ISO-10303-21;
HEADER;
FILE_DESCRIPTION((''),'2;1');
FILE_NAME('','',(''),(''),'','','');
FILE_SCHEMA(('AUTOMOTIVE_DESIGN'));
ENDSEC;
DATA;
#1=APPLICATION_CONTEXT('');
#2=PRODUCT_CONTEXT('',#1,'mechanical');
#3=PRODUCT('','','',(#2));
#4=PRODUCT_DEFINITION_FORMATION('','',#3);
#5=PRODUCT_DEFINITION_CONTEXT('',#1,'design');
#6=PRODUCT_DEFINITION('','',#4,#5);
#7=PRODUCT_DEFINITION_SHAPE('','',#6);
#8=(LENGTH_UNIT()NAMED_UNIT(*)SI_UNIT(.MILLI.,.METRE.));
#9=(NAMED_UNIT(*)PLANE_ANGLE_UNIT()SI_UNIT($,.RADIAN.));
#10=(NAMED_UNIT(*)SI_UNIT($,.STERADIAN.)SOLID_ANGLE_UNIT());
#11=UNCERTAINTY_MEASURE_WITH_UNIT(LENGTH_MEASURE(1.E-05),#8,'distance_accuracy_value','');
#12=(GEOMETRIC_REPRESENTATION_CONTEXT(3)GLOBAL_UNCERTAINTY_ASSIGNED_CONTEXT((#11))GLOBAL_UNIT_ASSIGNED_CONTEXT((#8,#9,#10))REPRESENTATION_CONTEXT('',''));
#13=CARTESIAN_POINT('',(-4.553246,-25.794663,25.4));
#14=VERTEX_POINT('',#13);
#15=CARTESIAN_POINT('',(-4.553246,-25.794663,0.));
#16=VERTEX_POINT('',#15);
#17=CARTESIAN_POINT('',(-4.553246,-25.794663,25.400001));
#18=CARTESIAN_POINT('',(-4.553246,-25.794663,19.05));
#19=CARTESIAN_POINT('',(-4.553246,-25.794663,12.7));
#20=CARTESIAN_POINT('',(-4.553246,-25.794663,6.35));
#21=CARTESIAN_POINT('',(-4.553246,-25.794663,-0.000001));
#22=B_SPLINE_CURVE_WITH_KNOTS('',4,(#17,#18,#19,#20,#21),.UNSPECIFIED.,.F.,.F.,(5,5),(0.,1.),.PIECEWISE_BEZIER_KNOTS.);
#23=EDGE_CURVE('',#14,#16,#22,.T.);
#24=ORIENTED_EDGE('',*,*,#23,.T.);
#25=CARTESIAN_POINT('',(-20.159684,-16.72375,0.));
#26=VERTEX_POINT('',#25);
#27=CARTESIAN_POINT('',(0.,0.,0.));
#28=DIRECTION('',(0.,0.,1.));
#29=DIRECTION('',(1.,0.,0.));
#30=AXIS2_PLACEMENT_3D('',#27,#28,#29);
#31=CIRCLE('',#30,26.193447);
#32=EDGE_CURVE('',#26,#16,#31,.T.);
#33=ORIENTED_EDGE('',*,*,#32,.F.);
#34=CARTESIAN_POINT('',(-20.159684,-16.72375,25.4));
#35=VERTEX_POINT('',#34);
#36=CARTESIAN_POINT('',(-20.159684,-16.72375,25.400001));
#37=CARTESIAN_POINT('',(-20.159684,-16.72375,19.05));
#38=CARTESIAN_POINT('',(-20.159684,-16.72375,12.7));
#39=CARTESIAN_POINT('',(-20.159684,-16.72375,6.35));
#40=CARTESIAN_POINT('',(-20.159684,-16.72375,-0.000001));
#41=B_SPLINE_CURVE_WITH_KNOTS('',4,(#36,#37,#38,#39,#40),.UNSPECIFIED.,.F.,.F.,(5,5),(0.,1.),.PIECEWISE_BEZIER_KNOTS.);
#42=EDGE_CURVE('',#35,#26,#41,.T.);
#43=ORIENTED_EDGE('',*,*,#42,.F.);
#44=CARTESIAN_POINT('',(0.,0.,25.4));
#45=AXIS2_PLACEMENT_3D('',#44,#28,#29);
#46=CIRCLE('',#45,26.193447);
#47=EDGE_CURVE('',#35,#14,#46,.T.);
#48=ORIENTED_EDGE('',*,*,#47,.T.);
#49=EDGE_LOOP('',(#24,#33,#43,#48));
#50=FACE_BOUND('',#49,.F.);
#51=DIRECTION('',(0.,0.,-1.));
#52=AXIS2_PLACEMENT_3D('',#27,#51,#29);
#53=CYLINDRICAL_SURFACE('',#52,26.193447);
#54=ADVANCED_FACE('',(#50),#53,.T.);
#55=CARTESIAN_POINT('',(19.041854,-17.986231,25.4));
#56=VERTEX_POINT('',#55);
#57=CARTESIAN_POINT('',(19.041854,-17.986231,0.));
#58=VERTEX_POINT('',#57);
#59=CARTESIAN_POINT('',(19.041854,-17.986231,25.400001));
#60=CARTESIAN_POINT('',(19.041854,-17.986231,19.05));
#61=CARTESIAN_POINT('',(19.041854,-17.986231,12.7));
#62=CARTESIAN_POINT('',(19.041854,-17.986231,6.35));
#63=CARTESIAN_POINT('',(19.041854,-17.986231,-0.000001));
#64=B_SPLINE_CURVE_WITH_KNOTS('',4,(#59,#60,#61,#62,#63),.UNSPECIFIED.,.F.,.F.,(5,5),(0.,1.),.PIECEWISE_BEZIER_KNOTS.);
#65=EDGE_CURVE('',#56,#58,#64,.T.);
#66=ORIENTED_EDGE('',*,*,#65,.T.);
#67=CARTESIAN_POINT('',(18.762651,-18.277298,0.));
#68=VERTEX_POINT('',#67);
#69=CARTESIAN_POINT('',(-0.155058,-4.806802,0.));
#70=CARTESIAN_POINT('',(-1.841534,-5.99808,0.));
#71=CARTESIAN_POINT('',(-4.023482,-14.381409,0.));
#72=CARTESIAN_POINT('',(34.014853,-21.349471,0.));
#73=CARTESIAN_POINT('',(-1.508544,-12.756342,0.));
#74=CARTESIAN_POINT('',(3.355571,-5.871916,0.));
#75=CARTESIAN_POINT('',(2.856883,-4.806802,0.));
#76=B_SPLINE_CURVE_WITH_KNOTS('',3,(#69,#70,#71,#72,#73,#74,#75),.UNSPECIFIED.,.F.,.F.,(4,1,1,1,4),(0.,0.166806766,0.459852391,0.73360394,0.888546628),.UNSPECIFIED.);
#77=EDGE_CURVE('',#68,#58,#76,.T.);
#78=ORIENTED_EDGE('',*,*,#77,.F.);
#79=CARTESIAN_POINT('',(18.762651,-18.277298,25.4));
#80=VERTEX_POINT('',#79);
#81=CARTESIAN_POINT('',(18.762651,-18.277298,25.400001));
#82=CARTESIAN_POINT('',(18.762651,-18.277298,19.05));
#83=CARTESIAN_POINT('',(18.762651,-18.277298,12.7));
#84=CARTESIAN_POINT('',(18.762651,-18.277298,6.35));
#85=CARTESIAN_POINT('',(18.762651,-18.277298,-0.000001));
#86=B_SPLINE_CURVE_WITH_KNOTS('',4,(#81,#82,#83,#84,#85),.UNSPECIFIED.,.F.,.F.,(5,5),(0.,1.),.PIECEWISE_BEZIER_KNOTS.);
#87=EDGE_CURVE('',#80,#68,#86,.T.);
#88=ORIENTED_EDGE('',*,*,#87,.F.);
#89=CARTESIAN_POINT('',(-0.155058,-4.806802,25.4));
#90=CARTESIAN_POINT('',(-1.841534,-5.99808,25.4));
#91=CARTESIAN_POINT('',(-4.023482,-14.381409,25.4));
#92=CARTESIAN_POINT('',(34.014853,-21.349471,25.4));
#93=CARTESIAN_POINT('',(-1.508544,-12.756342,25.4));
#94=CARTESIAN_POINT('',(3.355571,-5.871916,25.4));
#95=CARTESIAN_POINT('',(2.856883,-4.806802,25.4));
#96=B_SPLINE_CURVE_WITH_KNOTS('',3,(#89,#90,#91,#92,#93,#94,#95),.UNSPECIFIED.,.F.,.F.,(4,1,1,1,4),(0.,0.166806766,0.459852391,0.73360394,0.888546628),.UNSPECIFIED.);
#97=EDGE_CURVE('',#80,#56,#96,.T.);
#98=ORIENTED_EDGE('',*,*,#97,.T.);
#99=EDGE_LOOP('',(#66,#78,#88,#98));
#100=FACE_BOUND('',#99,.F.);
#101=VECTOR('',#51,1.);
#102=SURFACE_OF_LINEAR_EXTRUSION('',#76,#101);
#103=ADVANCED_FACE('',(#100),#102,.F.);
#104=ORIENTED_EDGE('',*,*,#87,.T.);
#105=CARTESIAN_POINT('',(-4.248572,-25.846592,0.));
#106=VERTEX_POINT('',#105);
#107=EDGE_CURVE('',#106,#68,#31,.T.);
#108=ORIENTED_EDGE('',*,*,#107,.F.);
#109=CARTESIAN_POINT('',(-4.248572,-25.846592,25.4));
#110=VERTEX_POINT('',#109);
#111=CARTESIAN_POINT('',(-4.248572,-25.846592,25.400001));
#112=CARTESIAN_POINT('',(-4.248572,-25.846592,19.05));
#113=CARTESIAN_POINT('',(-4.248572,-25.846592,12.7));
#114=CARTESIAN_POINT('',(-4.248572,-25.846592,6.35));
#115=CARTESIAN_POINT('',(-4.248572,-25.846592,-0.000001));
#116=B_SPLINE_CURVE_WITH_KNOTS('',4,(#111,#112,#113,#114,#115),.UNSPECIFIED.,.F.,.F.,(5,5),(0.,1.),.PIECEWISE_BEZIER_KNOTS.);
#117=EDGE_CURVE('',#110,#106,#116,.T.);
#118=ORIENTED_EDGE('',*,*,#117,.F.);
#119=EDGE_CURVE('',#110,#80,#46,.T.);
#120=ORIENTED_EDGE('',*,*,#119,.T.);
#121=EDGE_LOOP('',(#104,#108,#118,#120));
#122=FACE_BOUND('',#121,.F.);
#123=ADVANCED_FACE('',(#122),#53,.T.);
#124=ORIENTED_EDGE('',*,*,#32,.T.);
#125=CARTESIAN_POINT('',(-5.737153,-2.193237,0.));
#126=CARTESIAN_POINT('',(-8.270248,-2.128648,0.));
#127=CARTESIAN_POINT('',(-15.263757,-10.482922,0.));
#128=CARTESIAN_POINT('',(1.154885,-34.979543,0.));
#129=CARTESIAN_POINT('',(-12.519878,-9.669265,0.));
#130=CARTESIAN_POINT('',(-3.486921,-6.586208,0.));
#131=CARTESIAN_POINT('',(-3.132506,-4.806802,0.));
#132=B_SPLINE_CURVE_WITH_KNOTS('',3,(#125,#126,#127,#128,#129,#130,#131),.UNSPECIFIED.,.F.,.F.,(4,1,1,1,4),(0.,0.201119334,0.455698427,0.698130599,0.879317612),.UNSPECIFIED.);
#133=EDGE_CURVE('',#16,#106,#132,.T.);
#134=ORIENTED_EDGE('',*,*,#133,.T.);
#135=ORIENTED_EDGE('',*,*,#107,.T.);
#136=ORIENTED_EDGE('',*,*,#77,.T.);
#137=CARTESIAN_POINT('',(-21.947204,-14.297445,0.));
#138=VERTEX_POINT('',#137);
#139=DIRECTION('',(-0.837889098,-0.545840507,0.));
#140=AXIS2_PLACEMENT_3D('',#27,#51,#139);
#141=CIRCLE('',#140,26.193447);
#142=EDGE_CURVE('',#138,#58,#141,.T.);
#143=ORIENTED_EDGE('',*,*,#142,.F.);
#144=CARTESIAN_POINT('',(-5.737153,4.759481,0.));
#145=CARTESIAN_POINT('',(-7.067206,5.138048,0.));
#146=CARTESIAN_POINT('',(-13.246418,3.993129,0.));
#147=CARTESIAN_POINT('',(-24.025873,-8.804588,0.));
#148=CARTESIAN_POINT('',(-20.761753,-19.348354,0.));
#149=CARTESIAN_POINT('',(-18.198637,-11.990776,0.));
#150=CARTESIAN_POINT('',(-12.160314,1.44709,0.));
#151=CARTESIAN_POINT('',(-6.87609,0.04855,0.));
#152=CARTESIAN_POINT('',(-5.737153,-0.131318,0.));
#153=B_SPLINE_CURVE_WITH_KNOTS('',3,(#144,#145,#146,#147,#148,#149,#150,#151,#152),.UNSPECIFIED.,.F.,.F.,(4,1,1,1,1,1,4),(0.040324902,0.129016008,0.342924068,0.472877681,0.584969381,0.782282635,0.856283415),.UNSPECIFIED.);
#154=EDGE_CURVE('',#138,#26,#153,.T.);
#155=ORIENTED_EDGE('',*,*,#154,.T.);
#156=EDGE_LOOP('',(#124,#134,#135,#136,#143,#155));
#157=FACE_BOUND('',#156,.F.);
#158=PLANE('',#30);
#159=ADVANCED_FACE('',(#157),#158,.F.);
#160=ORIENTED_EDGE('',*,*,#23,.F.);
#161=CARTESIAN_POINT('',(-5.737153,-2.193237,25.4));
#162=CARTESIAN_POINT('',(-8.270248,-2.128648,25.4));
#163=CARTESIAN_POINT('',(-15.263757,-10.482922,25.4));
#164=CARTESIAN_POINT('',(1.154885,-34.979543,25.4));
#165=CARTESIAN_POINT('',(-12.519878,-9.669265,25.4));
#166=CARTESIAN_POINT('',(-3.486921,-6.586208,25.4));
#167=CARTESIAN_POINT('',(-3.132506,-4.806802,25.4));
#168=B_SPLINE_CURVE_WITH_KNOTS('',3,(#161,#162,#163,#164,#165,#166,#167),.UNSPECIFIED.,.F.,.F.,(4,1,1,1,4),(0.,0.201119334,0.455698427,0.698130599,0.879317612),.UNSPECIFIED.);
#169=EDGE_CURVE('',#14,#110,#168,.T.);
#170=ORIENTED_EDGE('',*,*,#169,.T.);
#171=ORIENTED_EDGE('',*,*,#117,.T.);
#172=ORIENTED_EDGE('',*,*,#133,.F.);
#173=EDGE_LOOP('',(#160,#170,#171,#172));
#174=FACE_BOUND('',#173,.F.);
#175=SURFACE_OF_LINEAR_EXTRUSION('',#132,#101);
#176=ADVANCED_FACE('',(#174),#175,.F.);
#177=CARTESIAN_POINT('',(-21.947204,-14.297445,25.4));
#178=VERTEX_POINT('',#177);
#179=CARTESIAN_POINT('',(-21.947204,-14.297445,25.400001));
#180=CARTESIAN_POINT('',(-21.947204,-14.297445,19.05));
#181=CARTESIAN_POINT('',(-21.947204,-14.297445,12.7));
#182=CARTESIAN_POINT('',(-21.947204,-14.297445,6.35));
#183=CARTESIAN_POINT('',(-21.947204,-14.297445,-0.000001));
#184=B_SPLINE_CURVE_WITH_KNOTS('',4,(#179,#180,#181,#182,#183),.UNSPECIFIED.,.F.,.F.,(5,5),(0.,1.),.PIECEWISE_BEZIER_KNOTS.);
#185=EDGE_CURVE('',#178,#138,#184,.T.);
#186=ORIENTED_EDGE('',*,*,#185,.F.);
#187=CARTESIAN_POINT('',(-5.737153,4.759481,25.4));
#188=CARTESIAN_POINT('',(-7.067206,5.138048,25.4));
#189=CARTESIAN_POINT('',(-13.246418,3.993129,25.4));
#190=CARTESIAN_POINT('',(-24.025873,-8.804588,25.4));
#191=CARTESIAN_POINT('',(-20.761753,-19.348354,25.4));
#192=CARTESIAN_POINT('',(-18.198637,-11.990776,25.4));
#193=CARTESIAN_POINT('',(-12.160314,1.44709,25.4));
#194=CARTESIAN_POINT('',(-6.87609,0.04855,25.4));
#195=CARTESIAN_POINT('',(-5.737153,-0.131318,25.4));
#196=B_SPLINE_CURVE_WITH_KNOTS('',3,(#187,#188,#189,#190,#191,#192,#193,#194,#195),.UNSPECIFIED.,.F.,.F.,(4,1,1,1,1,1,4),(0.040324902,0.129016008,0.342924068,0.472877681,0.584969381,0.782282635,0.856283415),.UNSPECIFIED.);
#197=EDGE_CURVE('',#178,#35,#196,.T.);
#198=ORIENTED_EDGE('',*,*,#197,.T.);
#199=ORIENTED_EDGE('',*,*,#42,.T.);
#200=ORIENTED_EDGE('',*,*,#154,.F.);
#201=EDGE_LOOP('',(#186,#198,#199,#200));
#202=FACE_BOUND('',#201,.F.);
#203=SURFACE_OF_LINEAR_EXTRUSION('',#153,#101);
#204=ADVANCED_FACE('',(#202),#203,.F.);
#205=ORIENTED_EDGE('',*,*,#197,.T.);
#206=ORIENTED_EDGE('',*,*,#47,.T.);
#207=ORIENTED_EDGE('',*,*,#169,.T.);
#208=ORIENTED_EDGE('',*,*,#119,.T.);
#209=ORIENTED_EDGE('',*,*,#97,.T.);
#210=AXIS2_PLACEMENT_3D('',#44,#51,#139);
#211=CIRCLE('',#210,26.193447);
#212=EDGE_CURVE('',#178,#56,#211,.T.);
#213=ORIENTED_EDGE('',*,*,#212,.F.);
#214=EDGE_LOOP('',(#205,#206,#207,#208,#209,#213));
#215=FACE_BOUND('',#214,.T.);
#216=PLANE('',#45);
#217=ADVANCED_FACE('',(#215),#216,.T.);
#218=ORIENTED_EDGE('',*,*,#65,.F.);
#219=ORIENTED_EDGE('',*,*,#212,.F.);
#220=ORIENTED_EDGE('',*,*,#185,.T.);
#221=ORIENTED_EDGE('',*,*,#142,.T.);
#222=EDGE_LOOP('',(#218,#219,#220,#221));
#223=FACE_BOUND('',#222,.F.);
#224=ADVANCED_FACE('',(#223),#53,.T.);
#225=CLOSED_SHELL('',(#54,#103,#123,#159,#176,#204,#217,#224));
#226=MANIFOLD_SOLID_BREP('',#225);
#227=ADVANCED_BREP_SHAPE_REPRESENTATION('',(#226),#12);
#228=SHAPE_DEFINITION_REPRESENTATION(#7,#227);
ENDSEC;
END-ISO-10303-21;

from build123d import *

# Parameters (mm, degrees)
F0_R     = 26.1934474338
F1_DEPTH = 25.4
F3_DEPTH = 25.4


with BuildPart() as f1:
    # F0 (on Top) → F1 (new body)
    with BuildSketch(Plane.XY):
        Circle(F0_R)
    extrude(amount=F1_DEPTH)

    # F2 (on Top) → F3 (join)
    with BuildSketch(Plane.XY):
        with BuildLine():
            add(Edge.make_bspline(
                [(0, 5.7371510193), (1.6267507168, 6.5317427394), (1.5843386729, 11.0500053178), (-18.7787446742, 30.5963069359), (1.0221837778, 10.0953171298), (-6.0703650923, 6.4711935479), (-5.7371528819, 5.7371510193)],
                knots=[0, 0, 0, 0, 0.1511009621, 0.424902673, 0.683029848, 0.8377276017, 0.8377276017, 0.8377276017, 0.8377276017], degree=3))
            Line((-5.7371528819, 5.7371510193), (0, 5.7371510193))
        make_face()
        with BuildLine():
            add(Edge.make_bspline(
                [(-5.7371528819, 5.7371510193), (-5.3876252175, 4.9671667193), (-1.7470222336, 4.8838122825), (0, 5.7371510193)],
                knots=[0.8377276017, 0.8377276017, 0.8377276017, 0.8377276017, 1, 1, 1, 1], degree=3))
            Line((-5.7371528819, 5.7371510193), (-5.7371528819, 4.7594812791))
            add(Edge.make_bspline(
                [(-4.2555169202, 3.7961523049), (-4.6271368693, 4.2676092134), (-5.1324220693, 4.5873594513), (-5.7371528819, 4.7594812791)],
                knots=[0, 0, 0, 0, 0.0403249023, 0.0403249023, 0.0403249023, 0.0403249023], degree=3))
            add(Edge.make_bspline(
                [(-5.7371528819, -0.1313178609), (-5.0377167443, -0.2417768077), (-3.1863723457, -0.3506748101), (-3.3498793663, 2.6472121512), (-4.2555169202, 3.7961523049)],
                knots=[0.8562834152, 0.8562834152, 0.8562834152, 0.8562834152, 0.9017282416, 1, 1, 1, 1], degree=3))
            Line((-5.7371528819, -0.1313178609), (-5.7371528819, -2.1932371892))
            add(Edge.make_bspline(
                [(-3.1325055752, -4.8068023752), (-2.8964414897, -3.6216016793), (-4.2171599325, -2.2319944033), (-5.7371528819, -2.1932371892)],
                knots=[0.8793176122, 0.8793176122, 0.8793176122, 0.8793176122, 1, 1, 1, 1], degree=3))
            Line((-3.1325055752, -4.8068023752), (-0.1550579909, -4.8068023752))
            add(Edge.make_bspline(
                [(2.8568834532, -4.8068023752), (2.4981673069, -4.0406447813), (0.9717753652, -4.0108397725), (-0.1550579909, -4.8068023752)],
                knots=[0.8885466284, 0.8885466284, 0.8885466284, 0.8885466284, 1, 1, 1, 1], degree=3))
            Line((2.8568834532, -4.8068023752), (5.4270369001, -4.8068023752))
            add(Edge.make_bspline(
                [(5.1070004252, 0.7479401206), (3.8398501756, 0.9918001557), (1.7682794649, 1.160584436), (4.1739226049, -3.5994525554), (5.4270369001, -4.8068023752)],
                knots=[0.7487514035, 0.7487514035, 0.7487514035, 0.7487514035, 0.8399311786, 1, 1, 1, 1], degree=3))
            add(Edge.make_bspline(
                [(4.889054848, 5.7371510193), (4.5975376375, 3.263116652), (4.6347225971, 1.4558693669), (5.1070004252, 0.7479401206)],
                knots=[0.8394506838, 0.8394506838, 0.8394506838, 0.8394506838, 0.9741904697, 0.9741904697, 0.9741904697, 0.9741904697], degree=3))
            Line((4.889054848, 5.7371510193), (0, 5.7371510193))
        make_face()
        with BuildLine():
            Line((0, 5.7371510193), (-5.7371528819, 5.7371510193))
            add(Edge.make_bspline(
                [(-5.7371528819, 5.7371510193), (-5.3876252175, 4.9671667193), (-1.7470222336, 4.8838122825), (0, 5.7371510193)],
                knots=[0.8377276017, 0.8377276017, 0.8377276017, 0.8377276017, 1, 1, 1, 1], degree=3))
        make_face()
        with BuildLine():
            add(Edge.make_bspline(
                [(-4.2555169202, 3.7961523049), (-4.6271368693, 4.2676092134), (-5.1324220693, 4.5873594513), (-5.7371528819, 4.7594812791)],
                knots=[0, 0, 0, 0, 0.0403249023, 0.0403249023, 0.0403249023, 0.0403249023], degree=3))
            Line((-5.7371528819, 4.7594812791), (-5.7371528819, -0.1313178609))
            add(Edge.make_bspline(
                [(-5.7371528819, -0.1313178609), (-5.0377167443, -0.2417768077), (-3.1863723457, -0.3506748101), (-3.3498793663, 2.6472121512), (-4.2555169202, 3.7961523049)],
                knots=[0.8562834152, 0.8562834152, 0.8562834152, 0.8562834152, 0.9017282416, 1, 1, 1, 1], degree=3))
        make_face()
        with BuildLine():
            Line((-5.7371528819, -0.1313178609), (-5.7371528819, 4.7594812791))
            add(Edge.make_bspline(
                [(-5.7371528819, 4.7594812791), (-7.0672055678, 5.1380482291), (-13.2464175654, 3.9931288798), (-24.0258726863, -8.8045876378), (-20.7617534642, -19.3483537757), (-18.1986372399, -11.9907759807), (-12.1603143643, 1.4470897092), (-6.8760904444, 0.0485496593), (-5.7371528819, -0.1313178609)],
                knots=[0.0403249023, 0.0403249023, 0.0403249023, 0.0403249023, 0.1290160082, 0.3429240679, 0.4728776808, 0.5849693808, 0.7822826352, 0.8562834152, 0.8562834152, 0.8562834152, 0.8562834152], degree=3))
        make_face()
        with BuildLine():
            add(Edge.make_bspline(
                [(6.1286271555, 0.5429710291), (7.0762360434, 1.0167670646), (11.0781985914, 6.645529309), (11.6659229825, 33.035172441), (6.1044874657, 13.7751740637), (5.0123059155, 6.7831523041), (4.889054848, 5.7371510193)],
                knots=[0.0411972981, 0.0411972981, 0.0411972981, 0.0411972981, 0.1880200779, 0.4976067702, 0.7824838158, 0.8394506838, 0.8394506838, 0.8394506838, 0.8394506838], degree=3))
            Line((4.889054848, 5.7371510193), (5.4270369001, 5.7371510193))
            Line((5.4270369001, 5.7371510193), (5.4270369001, 0.6849323422))
            add(Edge.make_bspline(
                [(6.1286271555, 0.5429710291), (5.8814162536, 0.5927902082), (5.6474452229, 0.6407864188), (5.4270369001, 0.6849323422)],
                knots=[0.7264412514, 0.7264412514, 0.7264412514, 0.7264412514, 0.7413205009, 0.7413205009, 0.7413205009, 0.7413205009], degree=3))
        make_face()
        with BuildLine():
            Line((5.4270369001, 5.7371510193), (4.889054848, 5.7371510193))
            add(Edge.make_bspline(
                [(4.889054848, 5.7371510193), (4.5975376375, 3.263116652), (4.6347225971, 1.4558693669), (5.1070004252, 0.7479401206)],
                knots=[0.8394506838, 0.8394506838, 0.8394506838, 0.8394506838, 0.9741904697, 0.9741904697, 0.9741904697, 0.9741904697], degree=3))
            add(Edge.make_bspline(
                [(5.4270369001, 0.6849323422), (5.3169619395, 0.706979426), (5.2102697103, 0.7280661937), (5.1070004252, 0.7479401206)],
                knots=[0.7413205009, 0.7413205009, 0.7413205009, 0.7413205009, 0.7487514035, 0.7487514035, 0.7487514035, 0.7487514035], degree=3))
            Line((5.4270369001, 0.6849323422), (5.4270369001, 5.7371510193))
        make_face()
        with BuildLine():
            add(Edge.make_bspline(
                [(5.4270369001, -4.8068023752), (6.5215892647, -5.86138104), (9.0814416321, -4.8797008059), (35.4559927911, 1.9981107546), (13.511505867, -0.8744141955), (7.0857452583, 0.3500877954), (6.1286271555, 0.5429710291)],
                knots=[0, 0, 0, 0, 0.1398146264, 0.4061072479, 0.6688337637, 0.7264412514, 0.7264412514, 0.7264412514, 0.7264412514], degree=3))
            add(Edge.make_bspline(
                [(5.4270369001, 0.465174322), (5.6235961964, 0.3823429293), (5.862735678, 0.4100276497), (6.1286271555, 0.5429710291)],
                knots=[0, 0, 0, 0, 0.0411972981, 0.0411972981, 0.0411972981, 0.0411972981], degree=3))
            Line((5.4270369001, 0.465174322), (5.4270369001, -4.8068023752))
        make_face()
        with BuildLine():
            add(Edge.make_bspline(
                [(5.4270369001, 0.465174322), (5.6235961964, 0.3823429293), (5.862735678, 0.4100276497), (6.1286271555, 0.5429710291)],
                knots=[0, 0, 0, 0, 0.0411972981, 0.0411972981, 0.0411972981, 0.0411972981], degree=3))
            add(Edge.make_bspline(
                [(6.1286271555, 0.5429710291), (5.8814162536, 0.5927902082), (5.6474452229, 0.6407864188), (5.4270369001, 0.6849323422)],
                knots=[0.7264412514, 0.7264412514, 0.7264412514, 0.7264412514, 0.7413205009, 0.7413205009, 0.7413205009, 0.7413205009], degree=3))
            Line((5.4270369001, 0.6849323422), (5.4270369001, 0.465174322))
        make_face()
        with BuildLine():
            add(Edge.make_bspline(
                [(5.1070004252, 0.7479401206), (5.1974656789, 0.6123356205), (5.3038952538, 0.5170670294), (5.4270369001, 0.465174322)],
                knots=[0.9741904697, 0.9741904697, 0.9741904697, 0.9741904697, 1, 1, 1, 1], degree=3))
            add(Edge.make_bspline(
                [(5.1070004252, 0.7479401206), (3.8398501756, 0.9918001557), (1.7682794649, 1.160584436), (4.1739226049, -3.5994525554), (5.4270369001, -4.8068023752)],
                knots=[0.7487514035, 0.7487514035, 0.7487514035, 0.7487514035, 0.8399311786, 1, 1, 1, 1], degree=3))
            Line((5.4270369001, -4.8068023752), (5.4270369001, 0.465174322))
        make_face()
        with BuildLine():
            add(Edge.make_bspline(
                [(-3.1325055752, -4.8068023752), (-2.8964414897, -3.6216016793), (-4.2171599325, -2.2319944033), (-5.7371528819, -2.1932371892)],
                knots=[0.8793176122, 0.8793176122, 0.8793176122, 0.8793176122, 1, 1, 1, 1], degree=3))
            Line((-5.7371528819, -2.1932371892), (-5.7371528819, -4.8068023752))
            Line((-5.7371528819, -4.8068023752), (-3.1325055752, -4.8068023752))
        make_face()
        with BuildLine():
            Line((-5.7371528819, -4.8068023752), (-5.7371528819, -2.1932371892))
            add(Edge.make_bspline(
                [(-5.7371528819, -2.1932371892), (-8.2702480143, -2.1286476065), (-15.2637567392, -10.4829218888), (1.1548852436, -34.9795429341), (-12.5198781123, -9.6692653362), (-3.4869213883, -6.5862084526), (-3.1325055752, -4.8068023752)],
                knots=[0, 0, 0, 0, 0.2011193337, 0.4556984268, 0.6981305988, 0.8793176122, 0.8793176122, 0.8793176122, 0.8793176122], degree=3))
            Line((-3.1325055752, -4.8068023752), (-5.7371528819, -4.8068023752))
        make_face()
        with BuildLine():
            add(Edge.make_bspline(
                [(-0.1550579909, -4.8068023752), (-1.8415339198, -5.9980803603), (-4.0234818259, -14.3814094127), (34.0148534446, -21.3494707734), (-1.5085435319, -12.7563424956), (3.3555713209, -5.8719161169), (2.8568834532, -4.8068023752)],
                knots=[0, 0, 0, 0, 0.1668067664, 0.4598523912, 0.7336039397, 0.8885466284, 0.8885466284, 0.8885466284, 0.8885466284], degree=3))
            Line((2.8568834532, -4.8068023752), (-0.1550579909, -4.8068023752))
        make_face()
        with BuildLine():
            Line((-0.1550579909, -4.8068023752), (2.8568834532, -4.8068023752))
            add(Edge.make_bspline(
                [(2.8568834532, -4.8068023752), (2.4981673069, -4.0406447813), (0.9717753652, -4.0108397725), (-0.1550579909, -4.8068023752)],
                knots=[0.8885466284, 0.8885466284, 0.8885466284, 0.8885466284, 1, 1, 1, 1], degree=3))
        make_face()
    extrude(amount=F3_DEPTH)


solid = f1.part
